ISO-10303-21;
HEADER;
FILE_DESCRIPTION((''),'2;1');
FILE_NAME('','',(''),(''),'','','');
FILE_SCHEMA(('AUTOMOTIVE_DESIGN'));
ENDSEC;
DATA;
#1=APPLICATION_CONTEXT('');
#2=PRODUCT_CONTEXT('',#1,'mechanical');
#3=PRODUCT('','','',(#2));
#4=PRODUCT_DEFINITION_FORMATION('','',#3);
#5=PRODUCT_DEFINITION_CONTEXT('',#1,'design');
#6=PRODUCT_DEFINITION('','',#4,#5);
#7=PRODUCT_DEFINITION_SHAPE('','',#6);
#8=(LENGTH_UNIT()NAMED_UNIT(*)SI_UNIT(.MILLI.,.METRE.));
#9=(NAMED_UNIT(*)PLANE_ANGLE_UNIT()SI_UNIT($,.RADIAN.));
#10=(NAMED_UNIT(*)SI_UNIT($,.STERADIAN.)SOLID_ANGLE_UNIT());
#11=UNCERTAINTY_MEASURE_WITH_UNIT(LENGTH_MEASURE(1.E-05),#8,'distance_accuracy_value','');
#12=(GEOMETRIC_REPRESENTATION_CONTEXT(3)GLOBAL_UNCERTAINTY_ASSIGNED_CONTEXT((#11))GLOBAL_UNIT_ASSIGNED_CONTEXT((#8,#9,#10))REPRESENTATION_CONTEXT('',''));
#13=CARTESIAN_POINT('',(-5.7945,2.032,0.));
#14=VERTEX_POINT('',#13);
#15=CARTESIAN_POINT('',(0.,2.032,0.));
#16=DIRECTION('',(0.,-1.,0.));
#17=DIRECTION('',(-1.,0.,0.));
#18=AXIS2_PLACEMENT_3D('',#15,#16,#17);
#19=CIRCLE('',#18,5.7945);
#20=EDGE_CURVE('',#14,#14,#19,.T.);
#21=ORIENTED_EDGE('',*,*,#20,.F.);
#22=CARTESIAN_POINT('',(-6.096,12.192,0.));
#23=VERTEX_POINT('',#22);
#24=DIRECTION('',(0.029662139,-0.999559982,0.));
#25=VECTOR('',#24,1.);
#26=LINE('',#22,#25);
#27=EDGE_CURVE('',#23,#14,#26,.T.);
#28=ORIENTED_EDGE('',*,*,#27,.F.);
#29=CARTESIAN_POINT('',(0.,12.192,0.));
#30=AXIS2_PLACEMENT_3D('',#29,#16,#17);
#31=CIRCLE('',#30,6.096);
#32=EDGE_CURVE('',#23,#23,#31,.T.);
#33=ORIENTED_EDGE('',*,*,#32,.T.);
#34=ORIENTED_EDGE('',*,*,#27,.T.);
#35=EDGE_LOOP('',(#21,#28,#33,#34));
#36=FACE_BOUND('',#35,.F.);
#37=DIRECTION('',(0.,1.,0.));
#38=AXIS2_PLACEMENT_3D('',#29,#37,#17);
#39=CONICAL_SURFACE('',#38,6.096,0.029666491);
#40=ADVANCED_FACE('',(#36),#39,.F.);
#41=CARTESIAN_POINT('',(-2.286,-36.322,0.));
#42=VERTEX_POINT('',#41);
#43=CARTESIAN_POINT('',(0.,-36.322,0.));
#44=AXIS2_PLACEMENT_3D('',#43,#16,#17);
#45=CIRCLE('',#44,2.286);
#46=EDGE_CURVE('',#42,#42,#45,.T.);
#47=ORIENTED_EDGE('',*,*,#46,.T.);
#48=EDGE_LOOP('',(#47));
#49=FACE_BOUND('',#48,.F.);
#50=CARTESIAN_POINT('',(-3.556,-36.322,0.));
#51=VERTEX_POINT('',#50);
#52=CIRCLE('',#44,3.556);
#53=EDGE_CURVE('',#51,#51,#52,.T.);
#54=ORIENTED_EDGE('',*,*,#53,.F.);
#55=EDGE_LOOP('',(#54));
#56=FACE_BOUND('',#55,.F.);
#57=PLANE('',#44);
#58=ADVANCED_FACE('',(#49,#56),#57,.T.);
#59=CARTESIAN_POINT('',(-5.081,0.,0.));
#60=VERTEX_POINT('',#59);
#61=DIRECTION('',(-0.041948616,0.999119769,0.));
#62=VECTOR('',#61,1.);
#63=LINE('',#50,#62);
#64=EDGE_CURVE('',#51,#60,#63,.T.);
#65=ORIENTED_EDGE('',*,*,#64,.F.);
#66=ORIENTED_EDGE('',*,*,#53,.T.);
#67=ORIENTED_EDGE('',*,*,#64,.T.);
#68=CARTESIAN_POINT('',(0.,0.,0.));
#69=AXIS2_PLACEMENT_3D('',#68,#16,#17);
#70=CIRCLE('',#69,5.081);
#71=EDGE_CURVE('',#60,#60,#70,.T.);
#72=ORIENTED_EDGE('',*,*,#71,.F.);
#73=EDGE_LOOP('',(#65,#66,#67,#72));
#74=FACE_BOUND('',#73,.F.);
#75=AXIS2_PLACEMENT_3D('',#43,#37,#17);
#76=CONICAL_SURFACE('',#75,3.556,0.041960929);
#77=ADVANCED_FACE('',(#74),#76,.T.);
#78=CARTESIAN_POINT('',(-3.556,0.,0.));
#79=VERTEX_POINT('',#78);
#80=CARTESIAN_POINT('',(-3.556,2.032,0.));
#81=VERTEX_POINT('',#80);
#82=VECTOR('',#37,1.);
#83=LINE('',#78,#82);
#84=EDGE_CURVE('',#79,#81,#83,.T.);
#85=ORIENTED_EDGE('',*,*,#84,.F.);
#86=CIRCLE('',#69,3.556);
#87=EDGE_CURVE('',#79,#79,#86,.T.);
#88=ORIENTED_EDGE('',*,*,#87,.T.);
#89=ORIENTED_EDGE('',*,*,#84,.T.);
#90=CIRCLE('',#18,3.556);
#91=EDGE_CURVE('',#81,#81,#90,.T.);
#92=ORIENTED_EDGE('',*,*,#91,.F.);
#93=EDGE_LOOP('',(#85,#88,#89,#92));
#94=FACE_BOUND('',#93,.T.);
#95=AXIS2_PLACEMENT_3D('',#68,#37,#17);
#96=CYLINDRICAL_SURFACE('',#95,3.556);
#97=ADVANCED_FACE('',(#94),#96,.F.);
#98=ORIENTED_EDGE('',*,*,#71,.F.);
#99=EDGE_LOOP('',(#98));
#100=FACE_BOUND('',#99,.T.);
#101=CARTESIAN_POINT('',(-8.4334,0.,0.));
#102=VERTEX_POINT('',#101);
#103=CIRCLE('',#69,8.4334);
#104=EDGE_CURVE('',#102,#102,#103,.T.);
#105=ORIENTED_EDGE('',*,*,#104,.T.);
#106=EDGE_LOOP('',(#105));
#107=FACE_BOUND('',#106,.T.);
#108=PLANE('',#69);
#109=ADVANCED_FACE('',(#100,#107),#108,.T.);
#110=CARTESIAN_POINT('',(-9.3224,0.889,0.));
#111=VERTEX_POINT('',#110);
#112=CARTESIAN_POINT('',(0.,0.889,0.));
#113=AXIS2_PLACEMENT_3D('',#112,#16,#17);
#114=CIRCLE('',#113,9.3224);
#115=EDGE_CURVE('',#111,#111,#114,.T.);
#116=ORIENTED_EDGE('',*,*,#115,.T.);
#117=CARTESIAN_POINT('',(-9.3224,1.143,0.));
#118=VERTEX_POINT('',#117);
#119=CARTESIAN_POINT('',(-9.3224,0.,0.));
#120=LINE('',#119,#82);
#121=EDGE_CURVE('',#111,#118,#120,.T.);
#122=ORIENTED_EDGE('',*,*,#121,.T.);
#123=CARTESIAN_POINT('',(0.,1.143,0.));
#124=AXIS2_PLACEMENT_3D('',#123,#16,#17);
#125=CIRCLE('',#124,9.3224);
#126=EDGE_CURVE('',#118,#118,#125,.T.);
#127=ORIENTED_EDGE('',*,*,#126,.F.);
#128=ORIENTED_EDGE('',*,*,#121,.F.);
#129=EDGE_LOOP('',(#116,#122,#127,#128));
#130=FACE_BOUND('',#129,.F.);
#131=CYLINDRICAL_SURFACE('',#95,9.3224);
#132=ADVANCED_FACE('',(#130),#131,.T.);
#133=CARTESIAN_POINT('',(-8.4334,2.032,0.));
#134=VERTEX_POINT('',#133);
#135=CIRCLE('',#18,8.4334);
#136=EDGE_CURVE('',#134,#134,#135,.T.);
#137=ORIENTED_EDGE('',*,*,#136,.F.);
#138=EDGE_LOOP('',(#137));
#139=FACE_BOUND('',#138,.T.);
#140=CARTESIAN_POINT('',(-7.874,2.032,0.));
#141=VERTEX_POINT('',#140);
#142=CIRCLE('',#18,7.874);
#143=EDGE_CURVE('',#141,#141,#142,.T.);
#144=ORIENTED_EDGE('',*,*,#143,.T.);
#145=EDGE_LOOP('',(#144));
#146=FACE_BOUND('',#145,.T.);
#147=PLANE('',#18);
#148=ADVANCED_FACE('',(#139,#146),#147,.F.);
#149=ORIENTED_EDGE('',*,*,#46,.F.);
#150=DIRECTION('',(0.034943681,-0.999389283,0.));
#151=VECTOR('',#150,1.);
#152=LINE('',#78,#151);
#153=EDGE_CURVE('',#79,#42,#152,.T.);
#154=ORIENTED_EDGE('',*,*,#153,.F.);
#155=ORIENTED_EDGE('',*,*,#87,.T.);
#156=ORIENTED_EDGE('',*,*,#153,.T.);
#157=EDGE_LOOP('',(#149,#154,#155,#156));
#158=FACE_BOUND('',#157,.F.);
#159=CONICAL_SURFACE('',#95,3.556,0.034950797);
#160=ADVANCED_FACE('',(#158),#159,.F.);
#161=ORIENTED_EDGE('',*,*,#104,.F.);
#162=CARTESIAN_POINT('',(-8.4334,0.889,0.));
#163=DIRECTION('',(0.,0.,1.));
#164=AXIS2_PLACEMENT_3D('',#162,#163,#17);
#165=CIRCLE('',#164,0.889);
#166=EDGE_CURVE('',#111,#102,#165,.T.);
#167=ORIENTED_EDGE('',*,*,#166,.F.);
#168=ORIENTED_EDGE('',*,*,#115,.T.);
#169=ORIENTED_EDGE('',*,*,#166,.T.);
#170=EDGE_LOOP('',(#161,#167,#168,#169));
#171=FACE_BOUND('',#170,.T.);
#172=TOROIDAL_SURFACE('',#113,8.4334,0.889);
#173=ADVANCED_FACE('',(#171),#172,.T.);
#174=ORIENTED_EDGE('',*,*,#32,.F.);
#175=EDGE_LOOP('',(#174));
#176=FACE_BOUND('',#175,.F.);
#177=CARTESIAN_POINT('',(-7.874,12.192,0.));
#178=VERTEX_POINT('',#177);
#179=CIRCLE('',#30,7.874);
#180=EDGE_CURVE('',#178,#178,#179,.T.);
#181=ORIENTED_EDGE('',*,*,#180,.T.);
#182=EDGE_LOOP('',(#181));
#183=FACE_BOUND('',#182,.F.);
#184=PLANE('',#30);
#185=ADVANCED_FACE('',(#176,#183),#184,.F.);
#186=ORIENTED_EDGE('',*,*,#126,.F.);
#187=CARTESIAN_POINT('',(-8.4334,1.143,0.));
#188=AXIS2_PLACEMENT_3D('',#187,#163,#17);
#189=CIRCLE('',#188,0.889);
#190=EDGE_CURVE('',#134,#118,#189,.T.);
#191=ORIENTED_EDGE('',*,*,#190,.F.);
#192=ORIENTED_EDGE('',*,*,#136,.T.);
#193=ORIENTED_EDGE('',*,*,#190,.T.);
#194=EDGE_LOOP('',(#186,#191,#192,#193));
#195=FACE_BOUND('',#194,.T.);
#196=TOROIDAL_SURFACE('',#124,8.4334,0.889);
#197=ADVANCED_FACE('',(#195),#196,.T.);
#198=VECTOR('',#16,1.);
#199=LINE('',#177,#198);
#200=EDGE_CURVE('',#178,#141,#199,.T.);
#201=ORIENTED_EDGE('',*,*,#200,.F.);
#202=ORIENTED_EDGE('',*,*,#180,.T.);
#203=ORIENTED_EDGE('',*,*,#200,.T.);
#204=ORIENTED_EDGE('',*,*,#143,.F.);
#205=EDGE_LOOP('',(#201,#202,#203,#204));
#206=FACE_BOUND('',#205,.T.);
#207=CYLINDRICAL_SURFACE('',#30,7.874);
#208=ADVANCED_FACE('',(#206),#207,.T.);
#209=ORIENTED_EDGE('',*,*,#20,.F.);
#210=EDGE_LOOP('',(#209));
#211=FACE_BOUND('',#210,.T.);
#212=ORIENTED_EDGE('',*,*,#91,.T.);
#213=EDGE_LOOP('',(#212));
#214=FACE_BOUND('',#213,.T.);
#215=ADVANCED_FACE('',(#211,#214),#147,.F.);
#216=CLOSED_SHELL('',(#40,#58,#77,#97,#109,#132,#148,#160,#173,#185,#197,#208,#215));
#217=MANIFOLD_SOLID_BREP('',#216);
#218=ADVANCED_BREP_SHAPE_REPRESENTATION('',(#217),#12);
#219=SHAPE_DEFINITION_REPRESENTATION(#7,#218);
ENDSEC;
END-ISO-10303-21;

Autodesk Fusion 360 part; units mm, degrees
sketch "Sketch1" plane through (0, 0, 0) normal (0, 0, 1) x (1, 0, 0)
  line L0 (0, 0) -> (0, -36.322)
  line L1 (0, -36.322) -> (-2.286, -36.322)
  line L2 (-3.556, 0) -> (-2.286, -36.322)
  line L3 (-3.556, 0) -> (-3.556, 2.032)
  line L4 (0, 33.02) -> (0, -60.96) construction
  line L5 (-3.556, 2.032) -> (-5.7945, 2.032)
  line L6 (-6.096, 12.192) -> (0, 12.192)
  line L7 (0, 12.192) -> (0, 0)
  line L8 (-6.096, 12.192) -> (-5.7945, 2.032)
  dimension "d1" = 3.556
  dimension "d2" = 36.322
  dimension "d3" = 2.286
  dimension "d4" = 2.032
  dimension "d8" = 6.096
  dimension "d19" = 88.3
sketch "Sketch2" plane through (0, 0, 0) normal (0, 0, 1) x (1, 0, 0)
  line L0 (-6.096, 12.192) -> (0, 12.192) construction
  line L1 (-6.096, 2.032) -> (-6.096, 12.192) construction
  line L2 (-3.556, 2.032) -> (-5.7945, 2.032) construction
  line L3 (-3.556, 0) -> (-3.556, 2.032) construction
  line L4 (-3.556, 0) -> (-2.286, -36.322) construction
  line L5 (0, -36.322) -> (-2.286, -36.322) construction
  line L6 (-7.874, 12.192) -> (-7.874, 2.032)
  line L7 (-9.3224, 0) -> (-9.3224, 2.032)
  line L8 (-7.874, 2.032) -> (-9.3224, 2.032)
  line L9 (-9.3224, 0) -> (-5.081, 0)
  line L10 (-7.874, 12.192) -> (0, 12.192)
  line L11 (0, 12.192) -> (0, -36.322)
  line L12 (0, -36.322) -> (-3.556, -36.322)
  line L13 (-3.556, -36.322) -> (-5.081, 0)
  dimension "d9" = 1.778
  dimension "d10" = 10.16
  dimension "d12" = 2.032
  dimension "d22" = 3.556
revolve "Revolve1" add sketch "Sketch2" angle 360 about axis through (0, 12.192, 0) along (0, -1, 0)
revolve "Revolve2" cut sketch "Sketch1" angle 360 about axis through (0, 12.192, 0) along (0, -1, 0)
fillet "Fillet1" radius 0.889 2 edges at (-8.6915, 2.032, 3.3711) (-8.6915, 0, 3.3711)
